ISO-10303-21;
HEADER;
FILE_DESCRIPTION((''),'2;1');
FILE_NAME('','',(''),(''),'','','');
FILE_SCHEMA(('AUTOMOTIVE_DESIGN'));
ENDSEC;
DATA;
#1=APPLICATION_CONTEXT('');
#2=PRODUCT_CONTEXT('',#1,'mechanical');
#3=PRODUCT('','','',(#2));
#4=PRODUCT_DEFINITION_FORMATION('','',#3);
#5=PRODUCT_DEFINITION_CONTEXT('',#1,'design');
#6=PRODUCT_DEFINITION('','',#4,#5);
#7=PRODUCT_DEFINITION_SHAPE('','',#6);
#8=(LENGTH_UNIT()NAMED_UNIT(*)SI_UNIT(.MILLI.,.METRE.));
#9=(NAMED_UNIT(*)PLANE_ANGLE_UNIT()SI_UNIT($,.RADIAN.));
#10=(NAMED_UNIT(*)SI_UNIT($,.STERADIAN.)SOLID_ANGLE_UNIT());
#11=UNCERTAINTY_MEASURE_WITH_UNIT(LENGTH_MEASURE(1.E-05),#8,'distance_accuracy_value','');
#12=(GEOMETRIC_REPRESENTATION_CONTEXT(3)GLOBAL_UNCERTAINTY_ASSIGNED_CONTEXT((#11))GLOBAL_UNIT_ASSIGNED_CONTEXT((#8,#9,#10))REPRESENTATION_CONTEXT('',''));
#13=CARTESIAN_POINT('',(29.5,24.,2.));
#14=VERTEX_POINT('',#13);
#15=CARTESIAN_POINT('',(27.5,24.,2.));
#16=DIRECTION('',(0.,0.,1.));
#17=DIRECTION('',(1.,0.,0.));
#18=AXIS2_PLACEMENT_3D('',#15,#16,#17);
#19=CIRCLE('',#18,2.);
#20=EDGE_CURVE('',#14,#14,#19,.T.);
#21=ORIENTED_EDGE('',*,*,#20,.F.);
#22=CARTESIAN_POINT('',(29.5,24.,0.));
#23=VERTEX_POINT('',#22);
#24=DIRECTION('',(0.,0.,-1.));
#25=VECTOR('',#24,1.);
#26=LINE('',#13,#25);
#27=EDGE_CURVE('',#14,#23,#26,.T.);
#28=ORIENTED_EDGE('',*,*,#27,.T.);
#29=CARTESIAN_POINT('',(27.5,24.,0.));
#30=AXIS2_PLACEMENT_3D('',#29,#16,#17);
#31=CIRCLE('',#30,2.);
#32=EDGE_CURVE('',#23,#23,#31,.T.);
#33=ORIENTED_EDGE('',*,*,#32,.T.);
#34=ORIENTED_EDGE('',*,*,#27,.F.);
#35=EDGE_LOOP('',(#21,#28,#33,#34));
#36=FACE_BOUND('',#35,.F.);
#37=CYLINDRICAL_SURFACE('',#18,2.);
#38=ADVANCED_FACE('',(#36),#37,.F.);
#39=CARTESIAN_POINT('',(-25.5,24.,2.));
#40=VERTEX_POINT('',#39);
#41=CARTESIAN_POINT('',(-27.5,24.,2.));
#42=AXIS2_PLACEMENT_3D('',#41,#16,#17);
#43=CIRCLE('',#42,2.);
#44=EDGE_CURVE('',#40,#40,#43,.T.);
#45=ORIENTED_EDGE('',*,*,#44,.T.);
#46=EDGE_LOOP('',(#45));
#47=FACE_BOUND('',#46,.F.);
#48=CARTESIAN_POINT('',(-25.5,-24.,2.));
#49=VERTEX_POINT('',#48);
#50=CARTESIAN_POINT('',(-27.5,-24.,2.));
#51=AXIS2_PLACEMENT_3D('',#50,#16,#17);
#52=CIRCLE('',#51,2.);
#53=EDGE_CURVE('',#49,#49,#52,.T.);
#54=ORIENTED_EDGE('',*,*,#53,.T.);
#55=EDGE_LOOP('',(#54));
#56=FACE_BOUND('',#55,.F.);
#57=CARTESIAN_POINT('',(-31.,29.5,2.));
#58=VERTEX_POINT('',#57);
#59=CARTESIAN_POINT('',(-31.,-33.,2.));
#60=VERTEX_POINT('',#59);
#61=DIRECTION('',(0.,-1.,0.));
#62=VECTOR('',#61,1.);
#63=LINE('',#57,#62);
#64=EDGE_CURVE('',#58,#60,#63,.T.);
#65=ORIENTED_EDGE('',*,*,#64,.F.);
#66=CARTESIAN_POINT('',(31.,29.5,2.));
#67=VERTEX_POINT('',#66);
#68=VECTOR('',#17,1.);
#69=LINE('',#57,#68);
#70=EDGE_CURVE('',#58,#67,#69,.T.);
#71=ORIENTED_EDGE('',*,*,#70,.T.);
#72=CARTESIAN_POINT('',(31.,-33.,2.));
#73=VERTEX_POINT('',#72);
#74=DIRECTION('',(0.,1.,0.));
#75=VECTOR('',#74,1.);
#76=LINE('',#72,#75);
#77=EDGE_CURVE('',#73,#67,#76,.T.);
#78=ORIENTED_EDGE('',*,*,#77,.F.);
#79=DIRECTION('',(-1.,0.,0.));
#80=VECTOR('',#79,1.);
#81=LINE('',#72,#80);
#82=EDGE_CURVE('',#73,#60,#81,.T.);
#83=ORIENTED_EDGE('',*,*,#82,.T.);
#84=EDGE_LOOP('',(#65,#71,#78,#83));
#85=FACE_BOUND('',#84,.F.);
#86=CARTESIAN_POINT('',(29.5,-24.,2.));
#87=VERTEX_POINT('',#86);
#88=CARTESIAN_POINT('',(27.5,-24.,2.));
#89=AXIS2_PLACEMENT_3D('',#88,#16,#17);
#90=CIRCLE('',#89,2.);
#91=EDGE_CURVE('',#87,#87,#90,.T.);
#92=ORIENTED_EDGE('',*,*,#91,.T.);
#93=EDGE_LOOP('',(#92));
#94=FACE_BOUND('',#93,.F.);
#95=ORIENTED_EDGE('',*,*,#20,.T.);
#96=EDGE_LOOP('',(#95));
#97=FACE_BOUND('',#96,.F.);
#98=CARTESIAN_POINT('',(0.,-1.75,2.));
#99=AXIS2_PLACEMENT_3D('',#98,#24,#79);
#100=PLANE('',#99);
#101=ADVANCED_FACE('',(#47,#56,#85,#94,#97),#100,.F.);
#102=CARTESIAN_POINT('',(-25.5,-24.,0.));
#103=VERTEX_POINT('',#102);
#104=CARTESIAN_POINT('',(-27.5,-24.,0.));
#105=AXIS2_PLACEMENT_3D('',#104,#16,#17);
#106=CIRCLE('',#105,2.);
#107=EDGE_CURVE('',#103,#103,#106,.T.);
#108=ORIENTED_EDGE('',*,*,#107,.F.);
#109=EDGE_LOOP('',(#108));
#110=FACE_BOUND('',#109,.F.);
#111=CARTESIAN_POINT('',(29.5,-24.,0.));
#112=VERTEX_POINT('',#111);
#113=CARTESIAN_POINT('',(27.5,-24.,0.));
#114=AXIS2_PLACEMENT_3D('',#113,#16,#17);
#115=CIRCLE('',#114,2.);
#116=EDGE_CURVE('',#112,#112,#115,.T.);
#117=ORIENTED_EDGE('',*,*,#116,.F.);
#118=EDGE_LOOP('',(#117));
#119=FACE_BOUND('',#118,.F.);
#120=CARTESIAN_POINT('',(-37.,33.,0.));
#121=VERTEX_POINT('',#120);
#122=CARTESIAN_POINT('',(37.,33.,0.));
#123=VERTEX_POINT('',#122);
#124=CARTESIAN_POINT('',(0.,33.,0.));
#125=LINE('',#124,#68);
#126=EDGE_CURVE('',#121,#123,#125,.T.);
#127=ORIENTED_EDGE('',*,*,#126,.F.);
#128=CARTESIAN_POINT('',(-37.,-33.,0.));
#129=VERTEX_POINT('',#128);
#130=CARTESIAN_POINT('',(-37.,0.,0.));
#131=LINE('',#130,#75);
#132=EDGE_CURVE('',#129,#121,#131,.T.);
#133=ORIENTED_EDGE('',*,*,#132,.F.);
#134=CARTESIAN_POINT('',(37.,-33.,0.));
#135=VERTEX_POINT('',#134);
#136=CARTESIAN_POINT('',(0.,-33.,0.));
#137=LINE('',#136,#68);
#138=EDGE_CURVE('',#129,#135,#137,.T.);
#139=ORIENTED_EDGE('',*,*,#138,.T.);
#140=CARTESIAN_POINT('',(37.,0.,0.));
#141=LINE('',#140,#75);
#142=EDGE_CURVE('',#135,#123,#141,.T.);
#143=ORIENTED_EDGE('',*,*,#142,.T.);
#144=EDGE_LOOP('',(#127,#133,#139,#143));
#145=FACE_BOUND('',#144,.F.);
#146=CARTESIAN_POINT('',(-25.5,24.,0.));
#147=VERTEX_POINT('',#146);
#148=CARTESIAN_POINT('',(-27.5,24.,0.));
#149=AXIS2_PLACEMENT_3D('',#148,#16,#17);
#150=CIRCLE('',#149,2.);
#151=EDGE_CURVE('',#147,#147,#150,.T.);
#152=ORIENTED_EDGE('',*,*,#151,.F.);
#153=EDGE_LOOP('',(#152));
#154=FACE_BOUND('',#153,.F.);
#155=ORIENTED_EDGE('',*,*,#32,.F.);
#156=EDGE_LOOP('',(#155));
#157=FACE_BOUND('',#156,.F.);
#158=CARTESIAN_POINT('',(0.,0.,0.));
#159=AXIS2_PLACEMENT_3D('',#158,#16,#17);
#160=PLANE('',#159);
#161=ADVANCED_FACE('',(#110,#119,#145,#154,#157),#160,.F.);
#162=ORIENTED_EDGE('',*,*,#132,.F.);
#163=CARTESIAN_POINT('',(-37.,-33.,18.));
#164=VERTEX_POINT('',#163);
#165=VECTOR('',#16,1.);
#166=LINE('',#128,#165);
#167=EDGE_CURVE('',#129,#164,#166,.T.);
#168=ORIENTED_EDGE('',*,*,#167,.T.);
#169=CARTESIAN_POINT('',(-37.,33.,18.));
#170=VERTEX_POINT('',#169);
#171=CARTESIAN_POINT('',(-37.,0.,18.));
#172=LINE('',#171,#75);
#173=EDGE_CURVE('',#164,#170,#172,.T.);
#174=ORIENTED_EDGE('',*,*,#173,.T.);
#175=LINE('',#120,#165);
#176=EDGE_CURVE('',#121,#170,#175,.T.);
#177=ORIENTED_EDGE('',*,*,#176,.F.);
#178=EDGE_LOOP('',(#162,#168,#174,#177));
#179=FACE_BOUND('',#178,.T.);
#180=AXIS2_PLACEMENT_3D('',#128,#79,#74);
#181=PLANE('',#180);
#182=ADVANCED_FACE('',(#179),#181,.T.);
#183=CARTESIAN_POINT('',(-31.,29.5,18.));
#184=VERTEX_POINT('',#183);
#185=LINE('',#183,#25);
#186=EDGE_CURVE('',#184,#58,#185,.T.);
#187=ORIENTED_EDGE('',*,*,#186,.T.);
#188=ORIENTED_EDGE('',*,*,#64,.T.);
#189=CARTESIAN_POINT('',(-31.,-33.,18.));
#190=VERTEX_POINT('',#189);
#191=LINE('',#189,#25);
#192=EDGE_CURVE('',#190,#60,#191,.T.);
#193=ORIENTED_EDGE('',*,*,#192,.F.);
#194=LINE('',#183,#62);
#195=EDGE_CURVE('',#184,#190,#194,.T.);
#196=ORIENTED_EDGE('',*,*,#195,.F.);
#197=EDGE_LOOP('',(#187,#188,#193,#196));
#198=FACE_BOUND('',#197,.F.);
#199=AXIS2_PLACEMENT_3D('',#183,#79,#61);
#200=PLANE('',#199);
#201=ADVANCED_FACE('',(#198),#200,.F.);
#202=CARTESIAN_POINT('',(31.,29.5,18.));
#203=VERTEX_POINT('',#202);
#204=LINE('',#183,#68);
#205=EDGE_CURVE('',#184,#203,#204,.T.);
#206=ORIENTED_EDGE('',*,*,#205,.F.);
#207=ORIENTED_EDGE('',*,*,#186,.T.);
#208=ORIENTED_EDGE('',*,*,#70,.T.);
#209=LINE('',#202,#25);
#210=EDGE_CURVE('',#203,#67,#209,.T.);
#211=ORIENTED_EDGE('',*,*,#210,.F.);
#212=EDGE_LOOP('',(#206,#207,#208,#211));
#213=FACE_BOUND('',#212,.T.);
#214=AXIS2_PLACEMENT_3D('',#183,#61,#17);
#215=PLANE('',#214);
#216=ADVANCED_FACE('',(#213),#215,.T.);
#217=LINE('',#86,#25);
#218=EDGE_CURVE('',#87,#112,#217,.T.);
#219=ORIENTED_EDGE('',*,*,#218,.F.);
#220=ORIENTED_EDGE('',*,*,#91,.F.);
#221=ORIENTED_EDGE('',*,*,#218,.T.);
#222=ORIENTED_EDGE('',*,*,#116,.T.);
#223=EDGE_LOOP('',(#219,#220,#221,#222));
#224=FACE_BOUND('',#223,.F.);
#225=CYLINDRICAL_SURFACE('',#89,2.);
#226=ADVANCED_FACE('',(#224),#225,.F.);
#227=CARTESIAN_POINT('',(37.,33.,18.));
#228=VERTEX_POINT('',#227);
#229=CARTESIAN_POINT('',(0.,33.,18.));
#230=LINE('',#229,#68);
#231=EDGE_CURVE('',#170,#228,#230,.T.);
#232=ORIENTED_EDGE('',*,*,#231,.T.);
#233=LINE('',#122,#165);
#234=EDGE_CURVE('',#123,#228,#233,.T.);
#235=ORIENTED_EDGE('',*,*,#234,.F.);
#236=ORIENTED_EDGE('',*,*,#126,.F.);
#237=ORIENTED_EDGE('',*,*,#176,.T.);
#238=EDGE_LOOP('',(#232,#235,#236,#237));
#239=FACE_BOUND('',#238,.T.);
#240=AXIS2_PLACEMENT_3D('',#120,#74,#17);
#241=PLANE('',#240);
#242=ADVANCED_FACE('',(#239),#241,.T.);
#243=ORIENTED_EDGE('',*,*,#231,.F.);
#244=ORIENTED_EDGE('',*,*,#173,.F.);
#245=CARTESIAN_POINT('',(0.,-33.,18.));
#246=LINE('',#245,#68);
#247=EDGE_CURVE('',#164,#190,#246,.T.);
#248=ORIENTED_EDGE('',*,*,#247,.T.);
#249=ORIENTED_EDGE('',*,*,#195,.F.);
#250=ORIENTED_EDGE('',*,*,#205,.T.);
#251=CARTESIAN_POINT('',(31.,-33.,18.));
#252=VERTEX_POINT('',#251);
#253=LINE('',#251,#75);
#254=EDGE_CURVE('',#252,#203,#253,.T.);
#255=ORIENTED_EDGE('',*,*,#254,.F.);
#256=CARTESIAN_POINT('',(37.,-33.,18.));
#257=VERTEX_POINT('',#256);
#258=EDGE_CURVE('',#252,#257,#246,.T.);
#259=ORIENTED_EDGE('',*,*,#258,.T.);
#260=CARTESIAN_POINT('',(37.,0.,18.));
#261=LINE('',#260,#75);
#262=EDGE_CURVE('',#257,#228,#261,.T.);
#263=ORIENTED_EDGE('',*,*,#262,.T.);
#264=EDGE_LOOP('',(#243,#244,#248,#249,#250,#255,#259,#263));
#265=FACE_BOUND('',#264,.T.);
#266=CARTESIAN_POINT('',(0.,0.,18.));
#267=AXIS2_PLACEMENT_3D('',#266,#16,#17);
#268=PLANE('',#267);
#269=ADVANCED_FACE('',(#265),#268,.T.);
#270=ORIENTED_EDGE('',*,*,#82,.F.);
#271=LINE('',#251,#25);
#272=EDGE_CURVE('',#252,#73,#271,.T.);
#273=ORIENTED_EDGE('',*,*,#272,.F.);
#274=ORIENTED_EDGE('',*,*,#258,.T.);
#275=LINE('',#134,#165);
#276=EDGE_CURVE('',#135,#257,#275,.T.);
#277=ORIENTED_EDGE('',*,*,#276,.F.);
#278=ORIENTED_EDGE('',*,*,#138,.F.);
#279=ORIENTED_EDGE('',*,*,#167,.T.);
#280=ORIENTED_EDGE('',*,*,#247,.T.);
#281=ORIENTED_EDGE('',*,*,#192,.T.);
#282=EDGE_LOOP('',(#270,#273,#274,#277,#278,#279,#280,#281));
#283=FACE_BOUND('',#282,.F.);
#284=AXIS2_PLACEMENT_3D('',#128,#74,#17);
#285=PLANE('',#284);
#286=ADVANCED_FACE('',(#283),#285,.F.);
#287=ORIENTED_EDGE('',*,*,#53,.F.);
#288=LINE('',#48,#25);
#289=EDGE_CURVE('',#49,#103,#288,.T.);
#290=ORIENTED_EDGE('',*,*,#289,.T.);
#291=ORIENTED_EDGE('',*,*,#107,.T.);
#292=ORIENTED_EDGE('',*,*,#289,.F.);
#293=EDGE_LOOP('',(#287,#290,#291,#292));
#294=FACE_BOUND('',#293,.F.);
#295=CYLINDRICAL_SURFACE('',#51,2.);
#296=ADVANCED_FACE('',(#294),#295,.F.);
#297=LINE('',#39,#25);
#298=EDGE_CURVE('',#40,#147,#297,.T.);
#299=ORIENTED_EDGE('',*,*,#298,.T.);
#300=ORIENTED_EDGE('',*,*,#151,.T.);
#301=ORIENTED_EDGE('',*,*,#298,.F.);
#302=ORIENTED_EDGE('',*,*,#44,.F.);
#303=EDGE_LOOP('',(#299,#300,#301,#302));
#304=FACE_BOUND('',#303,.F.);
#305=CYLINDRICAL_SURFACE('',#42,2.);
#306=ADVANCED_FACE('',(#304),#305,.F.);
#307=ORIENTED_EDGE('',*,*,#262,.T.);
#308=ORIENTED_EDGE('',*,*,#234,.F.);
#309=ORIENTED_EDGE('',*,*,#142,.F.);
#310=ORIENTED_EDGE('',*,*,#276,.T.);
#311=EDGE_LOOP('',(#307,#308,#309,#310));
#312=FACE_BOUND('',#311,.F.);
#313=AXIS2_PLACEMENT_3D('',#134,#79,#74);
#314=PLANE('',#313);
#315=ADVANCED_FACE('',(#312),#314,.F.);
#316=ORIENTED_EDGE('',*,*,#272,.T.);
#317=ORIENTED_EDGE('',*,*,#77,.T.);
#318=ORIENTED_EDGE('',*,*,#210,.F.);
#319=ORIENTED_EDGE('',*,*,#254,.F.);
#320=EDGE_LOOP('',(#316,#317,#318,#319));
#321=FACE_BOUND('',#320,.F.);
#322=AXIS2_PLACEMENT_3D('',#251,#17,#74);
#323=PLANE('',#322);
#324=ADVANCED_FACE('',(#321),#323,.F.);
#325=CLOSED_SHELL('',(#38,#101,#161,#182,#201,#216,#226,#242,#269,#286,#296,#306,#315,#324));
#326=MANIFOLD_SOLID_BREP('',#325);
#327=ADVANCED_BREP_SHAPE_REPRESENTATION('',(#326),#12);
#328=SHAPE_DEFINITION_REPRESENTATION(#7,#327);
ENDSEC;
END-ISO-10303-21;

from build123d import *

# Parameters (mm, degrees)
SKETCH001_W     = 74
SKETCH001_H     = 66
PAD_DEPTH       = 18
POCKET_DEPTH    = 16
SKETCH002_R     = 2
POCKET001_DEPTH = 2.001


with BuildPart() as part:
    # Sketch001 → Pad (new body)
    with BuildSketch(Plane.XY):
        Rectangle(SKETCH001_W, SKETCH001_H)
    extrude(amount=PAD_DEPTH)

    # Sketch (on Face6 of Pad) → Pocket (cut)
    with BuildSketch(Plane.XY.offset(18)):
        Polygon((-31, 29.5), (31, 29.5), (31, -29.5), (31, -33), (-31, -33), (-31, -29.5), align=None)
    extrude(amount=-POCKET_DEPTH, mode=Mode.SUBTRACT)

    # Sketch002 (on Face12 of Pocket) → Pocket001 (cut, through all)
    with BuildSketch(Plane.XY.offset(2)):
        with Locations((-27.5, 24)):
            Circle(SKETCH002_R)
        with Locations((27.5, 24)):
            Circle(SKETCH002_R)
        with Locations((27.5, -24)):
            Circle(SKETCH002_R)
        with Locations((-27.5, -24)):
            Circle(SKETCH002_R)
    extrude(amount=-POCKET001_DEPTH, mode=Mode.SUBTRACT)


solid = part.part
